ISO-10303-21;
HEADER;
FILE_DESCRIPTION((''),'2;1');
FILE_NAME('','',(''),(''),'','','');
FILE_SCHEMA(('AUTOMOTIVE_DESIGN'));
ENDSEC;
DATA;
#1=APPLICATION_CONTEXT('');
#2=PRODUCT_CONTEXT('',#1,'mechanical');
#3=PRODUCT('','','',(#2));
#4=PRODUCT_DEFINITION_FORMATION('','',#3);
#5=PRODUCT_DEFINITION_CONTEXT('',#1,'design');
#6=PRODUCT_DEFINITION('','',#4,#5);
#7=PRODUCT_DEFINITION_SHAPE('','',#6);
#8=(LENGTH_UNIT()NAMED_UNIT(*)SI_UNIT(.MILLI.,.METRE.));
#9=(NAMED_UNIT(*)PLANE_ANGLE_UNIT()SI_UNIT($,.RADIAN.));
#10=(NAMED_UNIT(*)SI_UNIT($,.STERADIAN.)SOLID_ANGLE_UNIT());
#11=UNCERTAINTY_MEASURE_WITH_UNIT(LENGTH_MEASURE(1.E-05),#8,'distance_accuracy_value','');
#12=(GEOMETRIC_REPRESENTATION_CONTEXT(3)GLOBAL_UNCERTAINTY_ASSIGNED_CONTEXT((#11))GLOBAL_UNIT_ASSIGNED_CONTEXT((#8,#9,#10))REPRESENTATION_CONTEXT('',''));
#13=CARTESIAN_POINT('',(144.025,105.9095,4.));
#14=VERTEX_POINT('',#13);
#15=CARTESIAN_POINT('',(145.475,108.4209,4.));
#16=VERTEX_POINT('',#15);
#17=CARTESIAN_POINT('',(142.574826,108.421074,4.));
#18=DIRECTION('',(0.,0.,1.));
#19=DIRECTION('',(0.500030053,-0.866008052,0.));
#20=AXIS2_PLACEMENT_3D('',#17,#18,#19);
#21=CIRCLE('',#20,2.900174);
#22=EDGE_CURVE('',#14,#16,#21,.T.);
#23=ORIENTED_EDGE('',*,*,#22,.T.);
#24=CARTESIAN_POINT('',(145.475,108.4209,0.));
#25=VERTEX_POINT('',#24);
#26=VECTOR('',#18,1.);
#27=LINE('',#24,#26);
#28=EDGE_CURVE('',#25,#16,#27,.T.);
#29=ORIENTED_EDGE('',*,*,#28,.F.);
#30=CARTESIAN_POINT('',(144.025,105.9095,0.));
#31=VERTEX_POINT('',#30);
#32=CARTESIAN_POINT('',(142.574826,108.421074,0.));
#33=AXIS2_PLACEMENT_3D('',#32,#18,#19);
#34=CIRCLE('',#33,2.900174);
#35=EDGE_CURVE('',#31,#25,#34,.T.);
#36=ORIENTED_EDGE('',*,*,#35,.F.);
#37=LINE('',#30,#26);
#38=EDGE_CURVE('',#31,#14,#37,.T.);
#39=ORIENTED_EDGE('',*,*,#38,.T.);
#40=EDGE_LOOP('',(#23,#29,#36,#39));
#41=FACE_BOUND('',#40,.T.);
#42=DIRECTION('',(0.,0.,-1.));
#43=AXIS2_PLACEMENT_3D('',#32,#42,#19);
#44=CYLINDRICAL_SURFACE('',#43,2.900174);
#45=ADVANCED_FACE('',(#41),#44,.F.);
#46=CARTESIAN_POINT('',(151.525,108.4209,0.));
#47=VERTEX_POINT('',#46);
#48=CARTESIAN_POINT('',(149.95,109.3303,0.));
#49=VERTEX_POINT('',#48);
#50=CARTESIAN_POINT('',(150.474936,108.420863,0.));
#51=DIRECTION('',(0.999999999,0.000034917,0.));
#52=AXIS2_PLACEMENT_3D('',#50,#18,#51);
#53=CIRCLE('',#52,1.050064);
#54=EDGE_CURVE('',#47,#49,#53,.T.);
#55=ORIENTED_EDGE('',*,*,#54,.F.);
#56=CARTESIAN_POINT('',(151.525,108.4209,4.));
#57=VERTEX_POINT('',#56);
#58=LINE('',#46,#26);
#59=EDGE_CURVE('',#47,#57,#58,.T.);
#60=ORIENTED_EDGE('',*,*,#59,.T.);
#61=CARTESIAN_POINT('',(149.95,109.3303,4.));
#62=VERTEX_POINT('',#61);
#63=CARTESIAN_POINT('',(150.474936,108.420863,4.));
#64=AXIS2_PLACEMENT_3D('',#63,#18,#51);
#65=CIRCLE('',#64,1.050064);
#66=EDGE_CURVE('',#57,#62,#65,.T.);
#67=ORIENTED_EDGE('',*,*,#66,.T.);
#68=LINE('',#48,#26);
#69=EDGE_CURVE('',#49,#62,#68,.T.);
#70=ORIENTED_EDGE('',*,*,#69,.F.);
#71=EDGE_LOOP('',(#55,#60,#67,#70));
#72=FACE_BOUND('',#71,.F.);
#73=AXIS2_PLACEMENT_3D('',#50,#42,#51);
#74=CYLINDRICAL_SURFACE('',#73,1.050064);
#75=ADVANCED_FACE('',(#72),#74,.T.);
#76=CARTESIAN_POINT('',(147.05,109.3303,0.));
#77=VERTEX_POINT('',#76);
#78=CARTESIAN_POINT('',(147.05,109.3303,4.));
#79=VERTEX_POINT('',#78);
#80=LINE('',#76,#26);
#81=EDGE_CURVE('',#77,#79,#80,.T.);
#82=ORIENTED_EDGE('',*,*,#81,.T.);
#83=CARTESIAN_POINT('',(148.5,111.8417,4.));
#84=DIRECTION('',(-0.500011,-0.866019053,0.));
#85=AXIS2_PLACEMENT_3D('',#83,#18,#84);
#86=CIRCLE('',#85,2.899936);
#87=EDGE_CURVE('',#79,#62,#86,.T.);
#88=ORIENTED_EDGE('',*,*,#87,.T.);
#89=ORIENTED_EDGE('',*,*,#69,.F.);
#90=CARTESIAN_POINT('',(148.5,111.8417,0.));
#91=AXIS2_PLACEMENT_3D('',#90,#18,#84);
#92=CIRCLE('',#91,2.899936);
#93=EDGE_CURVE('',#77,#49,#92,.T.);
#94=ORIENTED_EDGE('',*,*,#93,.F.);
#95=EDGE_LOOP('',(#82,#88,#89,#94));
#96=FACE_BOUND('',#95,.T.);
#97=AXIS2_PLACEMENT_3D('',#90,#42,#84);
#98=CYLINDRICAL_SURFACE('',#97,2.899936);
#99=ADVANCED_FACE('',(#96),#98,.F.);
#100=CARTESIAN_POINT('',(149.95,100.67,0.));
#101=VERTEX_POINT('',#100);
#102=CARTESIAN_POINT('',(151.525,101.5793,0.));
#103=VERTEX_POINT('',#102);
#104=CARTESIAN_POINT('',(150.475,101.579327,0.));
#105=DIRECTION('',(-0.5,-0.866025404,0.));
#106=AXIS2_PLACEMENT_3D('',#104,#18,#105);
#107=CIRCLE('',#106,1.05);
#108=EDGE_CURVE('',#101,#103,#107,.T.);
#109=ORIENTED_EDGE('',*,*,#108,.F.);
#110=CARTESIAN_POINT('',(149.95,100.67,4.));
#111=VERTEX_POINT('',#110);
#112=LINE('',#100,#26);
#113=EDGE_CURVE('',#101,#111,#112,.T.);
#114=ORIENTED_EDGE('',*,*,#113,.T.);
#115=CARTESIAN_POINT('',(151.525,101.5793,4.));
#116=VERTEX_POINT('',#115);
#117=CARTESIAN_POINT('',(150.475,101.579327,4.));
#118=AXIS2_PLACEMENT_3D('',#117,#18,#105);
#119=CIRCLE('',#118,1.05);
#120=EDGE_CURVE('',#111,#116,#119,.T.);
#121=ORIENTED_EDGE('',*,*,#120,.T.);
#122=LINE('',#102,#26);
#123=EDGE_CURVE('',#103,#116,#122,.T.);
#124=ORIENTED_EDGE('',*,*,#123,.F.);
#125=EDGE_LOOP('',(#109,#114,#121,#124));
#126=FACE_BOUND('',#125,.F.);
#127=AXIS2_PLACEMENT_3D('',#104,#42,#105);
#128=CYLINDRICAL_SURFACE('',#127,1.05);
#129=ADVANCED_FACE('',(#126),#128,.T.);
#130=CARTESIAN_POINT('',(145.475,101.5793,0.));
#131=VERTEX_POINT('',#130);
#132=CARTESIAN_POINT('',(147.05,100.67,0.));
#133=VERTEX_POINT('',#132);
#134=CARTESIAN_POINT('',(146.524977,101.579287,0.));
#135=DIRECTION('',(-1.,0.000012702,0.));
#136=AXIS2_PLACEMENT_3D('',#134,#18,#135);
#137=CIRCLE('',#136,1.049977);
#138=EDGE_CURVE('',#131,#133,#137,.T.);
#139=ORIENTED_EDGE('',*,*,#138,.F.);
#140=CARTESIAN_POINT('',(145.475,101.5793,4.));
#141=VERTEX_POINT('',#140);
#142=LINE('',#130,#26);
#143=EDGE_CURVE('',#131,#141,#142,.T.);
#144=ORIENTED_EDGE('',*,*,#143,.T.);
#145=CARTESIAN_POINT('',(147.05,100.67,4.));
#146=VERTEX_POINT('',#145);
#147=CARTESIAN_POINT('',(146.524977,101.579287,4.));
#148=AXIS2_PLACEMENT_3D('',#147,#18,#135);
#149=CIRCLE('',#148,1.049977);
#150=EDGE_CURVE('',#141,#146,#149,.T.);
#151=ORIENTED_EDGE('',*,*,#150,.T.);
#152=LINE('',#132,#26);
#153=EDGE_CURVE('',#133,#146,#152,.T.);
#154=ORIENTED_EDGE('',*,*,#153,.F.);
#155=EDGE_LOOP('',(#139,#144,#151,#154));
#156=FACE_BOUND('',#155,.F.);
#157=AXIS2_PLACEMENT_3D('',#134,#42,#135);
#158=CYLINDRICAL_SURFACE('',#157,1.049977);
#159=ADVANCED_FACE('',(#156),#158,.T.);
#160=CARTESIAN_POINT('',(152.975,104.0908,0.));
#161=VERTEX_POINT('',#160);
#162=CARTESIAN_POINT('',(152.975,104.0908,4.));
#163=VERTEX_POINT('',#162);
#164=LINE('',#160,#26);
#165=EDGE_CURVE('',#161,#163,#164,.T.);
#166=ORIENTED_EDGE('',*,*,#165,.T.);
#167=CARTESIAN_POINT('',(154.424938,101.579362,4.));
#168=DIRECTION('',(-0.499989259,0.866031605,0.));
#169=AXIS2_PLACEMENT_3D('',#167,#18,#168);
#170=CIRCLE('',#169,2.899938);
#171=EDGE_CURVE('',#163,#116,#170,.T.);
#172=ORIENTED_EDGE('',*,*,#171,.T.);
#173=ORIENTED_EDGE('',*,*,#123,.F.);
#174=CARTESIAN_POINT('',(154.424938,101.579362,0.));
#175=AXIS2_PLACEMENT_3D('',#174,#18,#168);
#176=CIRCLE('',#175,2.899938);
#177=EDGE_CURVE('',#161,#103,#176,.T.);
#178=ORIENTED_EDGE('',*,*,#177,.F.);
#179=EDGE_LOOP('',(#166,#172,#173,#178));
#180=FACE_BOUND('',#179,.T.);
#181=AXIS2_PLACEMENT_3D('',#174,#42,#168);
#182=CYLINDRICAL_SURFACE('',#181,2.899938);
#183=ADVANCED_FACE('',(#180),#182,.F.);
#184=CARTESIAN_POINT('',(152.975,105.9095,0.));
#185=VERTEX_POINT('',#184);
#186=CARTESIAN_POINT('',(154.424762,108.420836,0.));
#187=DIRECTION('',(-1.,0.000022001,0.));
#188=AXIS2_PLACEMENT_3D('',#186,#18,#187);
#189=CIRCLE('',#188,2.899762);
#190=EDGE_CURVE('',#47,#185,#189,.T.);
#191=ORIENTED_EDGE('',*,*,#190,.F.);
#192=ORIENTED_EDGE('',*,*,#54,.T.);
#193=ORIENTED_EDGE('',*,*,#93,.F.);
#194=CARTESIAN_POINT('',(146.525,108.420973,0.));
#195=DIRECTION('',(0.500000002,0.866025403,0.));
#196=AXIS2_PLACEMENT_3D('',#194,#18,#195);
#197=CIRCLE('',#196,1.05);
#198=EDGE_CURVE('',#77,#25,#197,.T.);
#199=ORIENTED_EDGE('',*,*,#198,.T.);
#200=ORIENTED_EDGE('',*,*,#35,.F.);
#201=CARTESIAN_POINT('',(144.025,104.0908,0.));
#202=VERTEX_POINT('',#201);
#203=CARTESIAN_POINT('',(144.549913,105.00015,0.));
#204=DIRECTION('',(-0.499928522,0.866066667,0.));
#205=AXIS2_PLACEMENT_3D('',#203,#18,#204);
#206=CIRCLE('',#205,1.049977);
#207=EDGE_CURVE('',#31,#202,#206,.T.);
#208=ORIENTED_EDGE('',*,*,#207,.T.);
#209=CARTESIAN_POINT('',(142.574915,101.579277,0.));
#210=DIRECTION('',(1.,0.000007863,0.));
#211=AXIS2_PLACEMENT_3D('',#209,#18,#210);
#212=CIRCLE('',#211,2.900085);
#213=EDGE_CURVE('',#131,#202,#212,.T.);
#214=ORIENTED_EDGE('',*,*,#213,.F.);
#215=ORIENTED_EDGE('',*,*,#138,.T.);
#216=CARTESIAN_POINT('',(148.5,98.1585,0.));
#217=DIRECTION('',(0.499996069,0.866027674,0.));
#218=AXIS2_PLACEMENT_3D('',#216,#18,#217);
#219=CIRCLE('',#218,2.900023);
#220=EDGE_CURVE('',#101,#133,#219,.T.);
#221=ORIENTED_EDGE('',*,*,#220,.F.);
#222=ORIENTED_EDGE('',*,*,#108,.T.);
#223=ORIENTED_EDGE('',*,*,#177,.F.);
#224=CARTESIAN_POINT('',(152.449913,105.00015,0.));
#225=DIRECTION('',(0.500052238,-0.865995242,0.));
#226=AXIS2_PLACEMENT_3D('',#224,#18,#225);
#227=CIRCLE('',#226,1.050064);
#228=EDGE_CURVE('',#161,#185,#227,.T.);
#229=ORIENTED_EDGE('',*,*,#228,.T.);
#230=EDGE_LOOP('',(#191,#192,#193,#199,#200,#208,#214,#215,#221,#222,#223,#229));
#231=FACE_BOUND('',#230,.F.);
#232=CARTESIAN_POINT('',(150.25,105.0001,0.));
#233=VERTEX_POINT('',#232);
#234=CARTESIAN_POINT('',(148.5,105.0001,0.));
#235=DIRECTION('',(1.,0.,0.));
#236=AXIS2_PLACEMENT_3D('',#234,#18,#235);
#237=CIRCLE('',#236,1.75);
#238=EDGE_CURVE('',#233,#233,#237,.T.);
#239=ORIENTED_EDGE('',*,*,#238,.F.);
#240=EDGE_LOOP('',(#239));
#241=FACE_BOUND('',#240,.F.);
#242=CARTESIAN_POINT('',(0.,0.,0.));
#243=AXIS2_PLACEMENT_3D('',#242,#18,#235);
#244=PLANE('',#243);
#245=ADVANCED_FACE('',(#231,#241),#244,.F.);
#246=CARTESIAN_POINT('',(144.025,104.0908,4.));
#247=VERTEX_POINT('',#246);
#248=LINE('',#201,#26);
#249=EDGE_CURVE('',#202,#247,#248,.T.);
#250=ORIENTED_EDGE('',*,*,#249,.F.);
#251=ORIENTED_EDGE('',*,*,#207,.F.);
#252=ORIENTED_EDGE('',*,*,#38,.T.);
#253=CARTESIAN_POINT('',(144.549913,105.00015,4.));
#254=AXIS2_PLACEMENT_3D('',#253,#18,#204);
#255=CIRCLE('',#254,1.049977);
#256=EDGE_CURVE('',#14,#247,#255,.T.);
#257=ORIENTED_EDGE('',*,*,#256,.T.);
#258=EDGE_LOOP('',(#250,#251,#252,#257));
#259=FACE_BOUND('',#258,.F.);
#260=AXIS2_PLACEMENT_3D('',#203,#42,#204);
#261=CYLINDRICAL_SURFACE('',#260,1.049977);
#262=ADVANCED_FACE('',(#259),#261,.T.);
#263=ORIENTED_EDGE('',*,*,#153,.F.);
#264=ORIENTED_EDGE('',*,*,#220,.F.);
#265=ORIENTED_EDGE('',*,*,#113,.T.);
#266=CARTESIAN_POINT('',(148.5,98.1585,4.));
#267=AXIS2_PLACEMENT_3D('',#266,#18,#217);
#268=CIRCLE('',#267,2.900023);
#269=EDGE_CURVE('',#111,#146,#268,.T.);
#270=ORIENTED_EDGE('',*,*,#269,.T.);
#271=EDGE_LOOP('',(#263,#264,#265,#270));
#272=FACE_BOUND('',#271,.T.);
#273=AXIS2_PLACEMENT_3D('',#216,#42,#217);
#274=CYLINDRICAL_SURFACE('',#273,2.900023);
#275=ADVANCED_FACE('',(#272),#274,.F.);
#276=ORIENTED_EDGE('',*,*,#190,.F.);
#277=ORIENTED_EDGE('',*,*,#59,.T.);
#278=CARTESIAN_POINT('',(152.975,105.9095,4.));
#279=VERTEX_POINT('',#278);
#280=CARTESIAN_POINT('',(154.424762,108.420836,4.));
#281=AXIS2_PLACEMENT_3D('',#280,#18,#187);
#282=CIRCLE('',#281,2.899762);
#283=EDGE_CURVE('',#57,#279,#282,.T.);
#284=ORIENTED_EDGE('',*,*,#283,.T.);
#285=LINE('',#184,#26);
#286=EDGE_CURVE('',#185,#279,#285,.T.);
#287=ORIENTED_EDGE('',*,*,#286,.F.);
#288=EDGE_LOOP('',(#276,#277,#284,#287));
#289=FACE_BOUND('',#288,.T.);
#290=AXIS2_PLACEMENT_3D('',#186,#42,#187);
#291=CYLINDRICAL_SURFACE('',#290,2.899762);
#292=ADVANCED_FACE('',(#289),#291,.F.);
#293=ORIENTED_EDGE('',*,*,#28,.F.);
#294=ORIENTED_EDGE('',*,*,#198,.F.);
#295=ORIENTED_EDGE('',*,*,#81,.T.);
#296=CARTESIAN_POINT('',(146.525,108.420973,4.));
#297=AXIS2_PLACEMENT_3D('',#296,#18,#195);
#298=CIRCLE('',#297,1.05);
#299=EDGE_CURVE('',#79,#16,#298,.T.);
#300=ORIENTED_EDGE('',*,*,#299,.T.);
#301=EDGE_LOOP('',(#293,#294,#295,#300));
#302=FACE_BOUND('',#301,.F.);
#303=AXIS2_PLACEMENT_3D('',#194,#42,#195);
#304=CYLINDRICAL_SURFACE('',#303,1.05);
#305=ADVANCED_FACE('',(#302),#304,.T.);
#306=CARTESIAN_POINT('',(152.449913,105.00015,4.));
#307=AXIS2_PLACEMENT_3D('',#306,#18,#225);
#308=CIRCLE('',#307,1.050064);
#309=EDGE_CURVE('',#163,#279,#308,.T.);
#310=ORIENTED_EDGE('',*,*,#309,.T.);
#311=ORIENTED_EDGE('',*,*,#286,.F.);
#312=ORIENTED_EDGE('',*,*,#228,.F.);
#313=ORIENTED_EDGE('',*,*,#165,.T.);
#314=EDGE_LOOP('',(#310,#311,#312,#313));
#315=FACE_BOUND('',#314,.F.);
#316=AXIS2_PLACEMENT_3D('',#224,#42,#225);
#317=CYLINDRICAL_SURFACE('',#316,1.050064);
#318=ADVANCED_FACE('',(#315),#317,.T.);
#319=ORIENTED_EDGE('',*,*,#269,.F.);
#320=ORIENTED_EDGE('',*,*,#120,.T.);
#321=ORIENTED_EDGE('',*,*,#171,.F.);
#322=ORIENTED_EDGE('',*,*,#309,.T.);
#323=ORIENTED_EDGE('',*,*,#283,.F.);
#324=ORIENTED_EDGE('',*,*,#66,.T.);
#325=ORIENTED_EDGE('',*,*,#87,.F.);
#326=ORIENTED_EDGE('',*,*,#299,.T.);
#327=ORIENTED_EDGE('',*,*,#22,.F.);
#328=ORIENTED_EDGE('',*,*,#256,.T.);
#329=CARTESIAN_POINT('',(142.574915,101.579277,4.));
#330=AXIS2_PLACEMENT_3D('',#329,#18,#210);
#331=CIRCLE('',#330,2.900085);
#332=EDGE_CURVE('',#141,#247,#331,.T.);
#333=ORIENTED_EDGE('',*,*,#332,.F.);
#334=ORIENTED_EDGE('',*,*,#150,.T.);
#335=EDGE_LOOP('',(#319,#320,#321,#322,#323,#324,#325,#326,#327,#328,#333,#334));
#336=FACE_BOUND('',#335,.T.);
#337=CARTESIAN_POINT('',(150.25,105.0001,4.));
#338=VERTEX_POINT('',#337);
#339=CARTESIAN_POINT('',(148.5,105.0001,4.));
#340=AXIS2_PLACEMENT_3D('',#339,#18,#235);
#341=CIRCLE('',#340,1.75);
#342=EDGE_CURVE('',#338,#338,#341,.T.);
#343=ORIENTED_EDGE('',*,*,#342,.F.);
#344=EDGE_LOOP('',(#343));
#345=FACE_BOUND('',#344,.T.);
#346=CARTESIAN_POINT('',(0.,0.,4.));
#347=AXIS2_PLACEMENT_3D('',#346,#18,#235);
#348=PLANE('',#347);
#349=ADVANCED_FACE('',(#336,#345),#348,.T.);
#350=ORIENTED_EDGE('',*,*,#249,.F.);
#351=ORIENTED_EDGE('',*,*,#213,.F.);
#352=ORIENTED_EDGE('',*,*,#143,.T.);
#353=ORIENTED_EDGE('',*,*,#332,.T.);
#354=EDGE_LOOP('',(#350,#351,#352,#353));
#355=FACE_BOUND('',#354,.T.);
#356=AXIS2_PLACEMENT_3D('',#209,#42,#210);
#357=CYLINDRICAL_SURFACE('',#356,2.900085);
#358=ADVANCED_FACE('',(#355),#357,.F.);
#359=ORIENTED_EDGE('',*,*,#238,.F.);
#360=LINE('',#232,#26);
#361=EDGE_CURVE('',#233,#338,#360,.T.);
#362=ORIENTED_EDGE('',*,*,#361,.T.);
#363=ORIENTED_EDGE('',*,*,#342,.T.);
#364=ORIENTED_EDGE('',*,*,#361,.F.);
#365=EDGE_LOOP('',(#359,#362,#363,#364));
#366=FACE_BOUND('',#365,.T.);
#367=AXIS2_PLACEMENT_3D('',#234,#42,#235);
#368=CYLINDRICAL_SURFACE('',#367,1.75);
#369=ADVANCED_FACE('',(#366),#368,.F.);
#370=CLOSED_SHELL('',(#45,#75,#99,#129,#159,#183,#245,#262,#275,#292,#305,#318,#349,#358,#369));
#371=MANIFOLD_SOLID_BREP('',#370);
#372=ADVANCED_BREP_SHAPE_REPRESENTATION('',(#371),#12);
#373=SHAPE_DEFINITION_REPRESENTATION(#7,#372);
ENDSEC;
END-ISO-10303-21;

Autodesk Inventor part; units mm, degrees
ref_plane "YZ Plane" through (0, 0, 0) normal (1, 0, 0) x (0, 1, 0)
ref_plane "XZ Plane" through (0, 0, 0) normal (0, 1, 0) x (-1, 0, 0)
ref_plane "XY Plane" through (0, 0, 0) normal (0, 0, 1) x (1, 0, 0)
sketch "スケッチ1" plane through (0, 0, 0) normal (0, 0, 1) x (1, 0, 0)
  arc A0 (144.025, 105.9095) -> (145.475, 108.4209) centre (142.575, 108.4209) ccw
  arc A1 (145.475, 101.5793) -> (144.025, 104.0908) centre (142.575, 101.5793) ccw
  line L0 (146, 100.67) -> (143.5, 105.0001) construction
  arc A2 (144.025, 105.9095) -> (144.025, 104.0908) centre (144.55, 105.0001) ccw
  line L1 (143.5, 105.0001) -> (146, 109.3303) construction
  circle A3 centre (148.5, 105.0001) radius 5 construction
  arc A4 (149.95, 100.67) -> (147.05, 100.67) centre (148.5, 98.1585) ccw
  line L2 (151, 100.67) -> (146, 100.67) construction
  arc A5 (145.475, 101.5793) -> (147.05, 100.67) centre (146.525, 101.5793) ccw
  arc A6 (149.95, 100.67) -> (151.525, 101.5793) centre (150.475, 101.5793) ccw
  arc A7 (152.975, 104.0908) -> (151.525, 101.5793) centre (154.425, 101.5793) ccw
  line L3 (153.5, 105.0001) -> (151, 100.67) construction
  arc A8 (152.975, 104.0908) -> (152.975, 105.9095) centre (152.45, 105.0001) ccw
  circle A9 centre (148.5, 105.0001) radius 1.75
  line L4 (151, 109.3303) -> (153.5, 105.0001) construction
  arc A10 (151.525, 108.4209) -> (152.975, 105.9095) centre (154.425, 108.4209) ccw
  arc A11 (151.525, 108.4209) -> (149.95, 109.3303) centre (150.475, 108.4209) ccw
  line L5 (146, 109.3303) -> (151, 109.3303) construction
  arc A12 (147.05, 109.3303) -> (149.95, 109.3303) centre (148.5, 111.8417) ccw
  arc A13 (147.05, 109.3303) -> (145.475, 108.4209) centre (146.525, 108.4209) ccw
  circle A14 centre (148.5, 105.0001) radius 6 construction
  point P0 (0, 0)
  point P1 (146, 100.67)
  point P2 (151, 100.67)
  point P3 (153.5, 105.0001)
  point P4 (145.475, 101.5793)
  point P5 (151.525, 101.5793)
  point P6 (152.975, 104.0908)
  point P7 (152.975, 105.9095)
  point P8 (151.525, 108.4209)
  point P9 (145.475, 108.4209)
  point P10 (144.025, 105.9095)
  point P11 (144.025, 104.0908)
  dimension "d4" = 10
  dimension "d5" = 360
  dimension "d6" = 360
  dimension "d7" = 1.05
  dimension "d8" = 3.5
  dimension "d9" = 12
extrude "押し出し1" add sketch "スケッチ1" along normal blind 4
properties part number "3ギア接続部2" material "アルミニウム 2014-T4"
